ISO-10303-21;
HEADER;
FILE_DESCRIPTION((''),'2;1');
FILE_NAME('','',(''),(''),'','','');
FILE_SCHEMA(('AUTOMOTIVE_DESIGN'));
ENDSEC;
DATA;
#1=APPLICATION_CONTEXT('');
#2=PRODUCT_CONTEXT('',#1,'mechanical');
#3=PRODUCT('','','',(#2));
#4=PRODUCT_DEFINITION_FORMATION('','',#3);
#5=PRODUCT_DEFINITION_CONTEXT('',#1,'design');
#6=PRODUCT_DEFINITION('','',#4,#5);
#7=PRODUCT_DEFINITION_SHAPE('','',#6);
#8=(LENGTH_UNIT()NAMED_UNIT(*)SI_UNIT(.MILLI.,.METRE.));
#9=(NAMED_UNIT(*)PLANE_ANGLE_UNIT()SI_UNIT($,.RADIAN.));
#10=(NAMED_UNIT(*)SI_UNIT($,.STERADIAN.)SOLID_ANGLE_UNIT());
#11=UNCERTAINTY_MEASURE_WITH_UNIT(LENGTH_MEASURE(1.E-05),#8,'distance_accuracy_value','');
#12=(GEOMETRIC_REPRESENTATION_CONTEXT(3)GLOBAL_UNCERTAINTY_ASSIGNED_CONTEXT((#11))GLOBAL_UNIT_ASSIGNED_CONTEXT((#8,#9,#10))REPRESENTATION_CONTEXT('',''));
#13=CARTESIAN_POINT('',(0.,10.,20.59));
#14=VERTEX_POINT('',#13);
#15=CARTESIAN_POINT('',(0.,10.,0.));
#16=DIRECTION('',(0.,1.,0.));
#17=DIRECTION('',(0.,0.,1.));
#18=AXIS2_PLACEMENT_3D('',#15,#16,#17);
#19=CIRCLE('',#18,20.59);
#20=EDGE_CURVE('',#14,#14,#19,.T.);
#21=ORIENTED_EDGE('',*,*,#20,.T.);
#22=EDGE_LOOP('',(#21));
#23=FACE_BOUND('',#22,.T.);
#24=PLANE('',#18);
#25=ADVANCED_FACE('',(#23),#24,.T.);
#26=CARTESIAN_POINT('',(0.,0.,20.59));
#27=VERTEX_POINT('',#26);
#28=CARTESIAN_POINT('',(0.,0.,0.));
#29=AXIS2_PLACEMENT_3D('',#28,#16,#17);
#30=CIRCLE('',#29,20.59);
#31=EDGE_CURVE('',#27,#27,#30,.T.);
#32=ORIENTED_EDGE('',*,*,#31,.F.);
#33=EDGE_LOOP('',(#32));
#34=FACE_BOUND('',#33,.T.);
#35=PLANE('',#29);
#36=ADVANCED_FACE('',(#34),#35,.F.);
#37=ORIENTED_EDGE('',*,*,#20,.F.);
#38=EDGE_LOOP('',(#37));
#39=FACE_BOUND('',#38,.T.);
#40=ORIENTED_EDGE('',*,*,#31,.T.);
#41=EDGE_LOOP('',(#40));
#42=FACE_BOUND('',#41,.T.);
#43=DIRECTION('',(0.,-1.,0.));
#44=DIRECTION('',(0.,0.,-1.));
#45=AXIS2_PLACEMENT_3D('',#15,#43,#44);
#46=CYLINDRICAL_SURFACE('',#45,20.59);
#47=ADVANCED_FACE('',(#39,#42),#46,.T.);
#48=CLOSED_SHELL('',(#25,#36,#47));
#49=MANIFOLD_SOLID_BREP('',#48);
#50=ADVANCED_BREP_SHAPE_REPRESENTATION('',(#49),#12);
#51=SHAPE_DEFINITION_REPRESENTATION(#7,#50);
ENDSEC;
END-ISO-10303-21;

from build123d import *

# Parameters (mm, degrees)
SKETCH1_R           = 20.59
BOSS_EXTRUDE1_DEPTH = 10


with BuildPart() as part:
    # Sketch1 → Boss-Extrude1 (new body)
    with BuildSketch(Plane(origin=(0, 0, 0), x_dir=(1, 0, 0), z_dir=(0, 1, 0))):
        Circle(SKETCH1_R)
    extrude(amount=BOSS_EXTRUDE1_DEPTH)


solid = part.part
